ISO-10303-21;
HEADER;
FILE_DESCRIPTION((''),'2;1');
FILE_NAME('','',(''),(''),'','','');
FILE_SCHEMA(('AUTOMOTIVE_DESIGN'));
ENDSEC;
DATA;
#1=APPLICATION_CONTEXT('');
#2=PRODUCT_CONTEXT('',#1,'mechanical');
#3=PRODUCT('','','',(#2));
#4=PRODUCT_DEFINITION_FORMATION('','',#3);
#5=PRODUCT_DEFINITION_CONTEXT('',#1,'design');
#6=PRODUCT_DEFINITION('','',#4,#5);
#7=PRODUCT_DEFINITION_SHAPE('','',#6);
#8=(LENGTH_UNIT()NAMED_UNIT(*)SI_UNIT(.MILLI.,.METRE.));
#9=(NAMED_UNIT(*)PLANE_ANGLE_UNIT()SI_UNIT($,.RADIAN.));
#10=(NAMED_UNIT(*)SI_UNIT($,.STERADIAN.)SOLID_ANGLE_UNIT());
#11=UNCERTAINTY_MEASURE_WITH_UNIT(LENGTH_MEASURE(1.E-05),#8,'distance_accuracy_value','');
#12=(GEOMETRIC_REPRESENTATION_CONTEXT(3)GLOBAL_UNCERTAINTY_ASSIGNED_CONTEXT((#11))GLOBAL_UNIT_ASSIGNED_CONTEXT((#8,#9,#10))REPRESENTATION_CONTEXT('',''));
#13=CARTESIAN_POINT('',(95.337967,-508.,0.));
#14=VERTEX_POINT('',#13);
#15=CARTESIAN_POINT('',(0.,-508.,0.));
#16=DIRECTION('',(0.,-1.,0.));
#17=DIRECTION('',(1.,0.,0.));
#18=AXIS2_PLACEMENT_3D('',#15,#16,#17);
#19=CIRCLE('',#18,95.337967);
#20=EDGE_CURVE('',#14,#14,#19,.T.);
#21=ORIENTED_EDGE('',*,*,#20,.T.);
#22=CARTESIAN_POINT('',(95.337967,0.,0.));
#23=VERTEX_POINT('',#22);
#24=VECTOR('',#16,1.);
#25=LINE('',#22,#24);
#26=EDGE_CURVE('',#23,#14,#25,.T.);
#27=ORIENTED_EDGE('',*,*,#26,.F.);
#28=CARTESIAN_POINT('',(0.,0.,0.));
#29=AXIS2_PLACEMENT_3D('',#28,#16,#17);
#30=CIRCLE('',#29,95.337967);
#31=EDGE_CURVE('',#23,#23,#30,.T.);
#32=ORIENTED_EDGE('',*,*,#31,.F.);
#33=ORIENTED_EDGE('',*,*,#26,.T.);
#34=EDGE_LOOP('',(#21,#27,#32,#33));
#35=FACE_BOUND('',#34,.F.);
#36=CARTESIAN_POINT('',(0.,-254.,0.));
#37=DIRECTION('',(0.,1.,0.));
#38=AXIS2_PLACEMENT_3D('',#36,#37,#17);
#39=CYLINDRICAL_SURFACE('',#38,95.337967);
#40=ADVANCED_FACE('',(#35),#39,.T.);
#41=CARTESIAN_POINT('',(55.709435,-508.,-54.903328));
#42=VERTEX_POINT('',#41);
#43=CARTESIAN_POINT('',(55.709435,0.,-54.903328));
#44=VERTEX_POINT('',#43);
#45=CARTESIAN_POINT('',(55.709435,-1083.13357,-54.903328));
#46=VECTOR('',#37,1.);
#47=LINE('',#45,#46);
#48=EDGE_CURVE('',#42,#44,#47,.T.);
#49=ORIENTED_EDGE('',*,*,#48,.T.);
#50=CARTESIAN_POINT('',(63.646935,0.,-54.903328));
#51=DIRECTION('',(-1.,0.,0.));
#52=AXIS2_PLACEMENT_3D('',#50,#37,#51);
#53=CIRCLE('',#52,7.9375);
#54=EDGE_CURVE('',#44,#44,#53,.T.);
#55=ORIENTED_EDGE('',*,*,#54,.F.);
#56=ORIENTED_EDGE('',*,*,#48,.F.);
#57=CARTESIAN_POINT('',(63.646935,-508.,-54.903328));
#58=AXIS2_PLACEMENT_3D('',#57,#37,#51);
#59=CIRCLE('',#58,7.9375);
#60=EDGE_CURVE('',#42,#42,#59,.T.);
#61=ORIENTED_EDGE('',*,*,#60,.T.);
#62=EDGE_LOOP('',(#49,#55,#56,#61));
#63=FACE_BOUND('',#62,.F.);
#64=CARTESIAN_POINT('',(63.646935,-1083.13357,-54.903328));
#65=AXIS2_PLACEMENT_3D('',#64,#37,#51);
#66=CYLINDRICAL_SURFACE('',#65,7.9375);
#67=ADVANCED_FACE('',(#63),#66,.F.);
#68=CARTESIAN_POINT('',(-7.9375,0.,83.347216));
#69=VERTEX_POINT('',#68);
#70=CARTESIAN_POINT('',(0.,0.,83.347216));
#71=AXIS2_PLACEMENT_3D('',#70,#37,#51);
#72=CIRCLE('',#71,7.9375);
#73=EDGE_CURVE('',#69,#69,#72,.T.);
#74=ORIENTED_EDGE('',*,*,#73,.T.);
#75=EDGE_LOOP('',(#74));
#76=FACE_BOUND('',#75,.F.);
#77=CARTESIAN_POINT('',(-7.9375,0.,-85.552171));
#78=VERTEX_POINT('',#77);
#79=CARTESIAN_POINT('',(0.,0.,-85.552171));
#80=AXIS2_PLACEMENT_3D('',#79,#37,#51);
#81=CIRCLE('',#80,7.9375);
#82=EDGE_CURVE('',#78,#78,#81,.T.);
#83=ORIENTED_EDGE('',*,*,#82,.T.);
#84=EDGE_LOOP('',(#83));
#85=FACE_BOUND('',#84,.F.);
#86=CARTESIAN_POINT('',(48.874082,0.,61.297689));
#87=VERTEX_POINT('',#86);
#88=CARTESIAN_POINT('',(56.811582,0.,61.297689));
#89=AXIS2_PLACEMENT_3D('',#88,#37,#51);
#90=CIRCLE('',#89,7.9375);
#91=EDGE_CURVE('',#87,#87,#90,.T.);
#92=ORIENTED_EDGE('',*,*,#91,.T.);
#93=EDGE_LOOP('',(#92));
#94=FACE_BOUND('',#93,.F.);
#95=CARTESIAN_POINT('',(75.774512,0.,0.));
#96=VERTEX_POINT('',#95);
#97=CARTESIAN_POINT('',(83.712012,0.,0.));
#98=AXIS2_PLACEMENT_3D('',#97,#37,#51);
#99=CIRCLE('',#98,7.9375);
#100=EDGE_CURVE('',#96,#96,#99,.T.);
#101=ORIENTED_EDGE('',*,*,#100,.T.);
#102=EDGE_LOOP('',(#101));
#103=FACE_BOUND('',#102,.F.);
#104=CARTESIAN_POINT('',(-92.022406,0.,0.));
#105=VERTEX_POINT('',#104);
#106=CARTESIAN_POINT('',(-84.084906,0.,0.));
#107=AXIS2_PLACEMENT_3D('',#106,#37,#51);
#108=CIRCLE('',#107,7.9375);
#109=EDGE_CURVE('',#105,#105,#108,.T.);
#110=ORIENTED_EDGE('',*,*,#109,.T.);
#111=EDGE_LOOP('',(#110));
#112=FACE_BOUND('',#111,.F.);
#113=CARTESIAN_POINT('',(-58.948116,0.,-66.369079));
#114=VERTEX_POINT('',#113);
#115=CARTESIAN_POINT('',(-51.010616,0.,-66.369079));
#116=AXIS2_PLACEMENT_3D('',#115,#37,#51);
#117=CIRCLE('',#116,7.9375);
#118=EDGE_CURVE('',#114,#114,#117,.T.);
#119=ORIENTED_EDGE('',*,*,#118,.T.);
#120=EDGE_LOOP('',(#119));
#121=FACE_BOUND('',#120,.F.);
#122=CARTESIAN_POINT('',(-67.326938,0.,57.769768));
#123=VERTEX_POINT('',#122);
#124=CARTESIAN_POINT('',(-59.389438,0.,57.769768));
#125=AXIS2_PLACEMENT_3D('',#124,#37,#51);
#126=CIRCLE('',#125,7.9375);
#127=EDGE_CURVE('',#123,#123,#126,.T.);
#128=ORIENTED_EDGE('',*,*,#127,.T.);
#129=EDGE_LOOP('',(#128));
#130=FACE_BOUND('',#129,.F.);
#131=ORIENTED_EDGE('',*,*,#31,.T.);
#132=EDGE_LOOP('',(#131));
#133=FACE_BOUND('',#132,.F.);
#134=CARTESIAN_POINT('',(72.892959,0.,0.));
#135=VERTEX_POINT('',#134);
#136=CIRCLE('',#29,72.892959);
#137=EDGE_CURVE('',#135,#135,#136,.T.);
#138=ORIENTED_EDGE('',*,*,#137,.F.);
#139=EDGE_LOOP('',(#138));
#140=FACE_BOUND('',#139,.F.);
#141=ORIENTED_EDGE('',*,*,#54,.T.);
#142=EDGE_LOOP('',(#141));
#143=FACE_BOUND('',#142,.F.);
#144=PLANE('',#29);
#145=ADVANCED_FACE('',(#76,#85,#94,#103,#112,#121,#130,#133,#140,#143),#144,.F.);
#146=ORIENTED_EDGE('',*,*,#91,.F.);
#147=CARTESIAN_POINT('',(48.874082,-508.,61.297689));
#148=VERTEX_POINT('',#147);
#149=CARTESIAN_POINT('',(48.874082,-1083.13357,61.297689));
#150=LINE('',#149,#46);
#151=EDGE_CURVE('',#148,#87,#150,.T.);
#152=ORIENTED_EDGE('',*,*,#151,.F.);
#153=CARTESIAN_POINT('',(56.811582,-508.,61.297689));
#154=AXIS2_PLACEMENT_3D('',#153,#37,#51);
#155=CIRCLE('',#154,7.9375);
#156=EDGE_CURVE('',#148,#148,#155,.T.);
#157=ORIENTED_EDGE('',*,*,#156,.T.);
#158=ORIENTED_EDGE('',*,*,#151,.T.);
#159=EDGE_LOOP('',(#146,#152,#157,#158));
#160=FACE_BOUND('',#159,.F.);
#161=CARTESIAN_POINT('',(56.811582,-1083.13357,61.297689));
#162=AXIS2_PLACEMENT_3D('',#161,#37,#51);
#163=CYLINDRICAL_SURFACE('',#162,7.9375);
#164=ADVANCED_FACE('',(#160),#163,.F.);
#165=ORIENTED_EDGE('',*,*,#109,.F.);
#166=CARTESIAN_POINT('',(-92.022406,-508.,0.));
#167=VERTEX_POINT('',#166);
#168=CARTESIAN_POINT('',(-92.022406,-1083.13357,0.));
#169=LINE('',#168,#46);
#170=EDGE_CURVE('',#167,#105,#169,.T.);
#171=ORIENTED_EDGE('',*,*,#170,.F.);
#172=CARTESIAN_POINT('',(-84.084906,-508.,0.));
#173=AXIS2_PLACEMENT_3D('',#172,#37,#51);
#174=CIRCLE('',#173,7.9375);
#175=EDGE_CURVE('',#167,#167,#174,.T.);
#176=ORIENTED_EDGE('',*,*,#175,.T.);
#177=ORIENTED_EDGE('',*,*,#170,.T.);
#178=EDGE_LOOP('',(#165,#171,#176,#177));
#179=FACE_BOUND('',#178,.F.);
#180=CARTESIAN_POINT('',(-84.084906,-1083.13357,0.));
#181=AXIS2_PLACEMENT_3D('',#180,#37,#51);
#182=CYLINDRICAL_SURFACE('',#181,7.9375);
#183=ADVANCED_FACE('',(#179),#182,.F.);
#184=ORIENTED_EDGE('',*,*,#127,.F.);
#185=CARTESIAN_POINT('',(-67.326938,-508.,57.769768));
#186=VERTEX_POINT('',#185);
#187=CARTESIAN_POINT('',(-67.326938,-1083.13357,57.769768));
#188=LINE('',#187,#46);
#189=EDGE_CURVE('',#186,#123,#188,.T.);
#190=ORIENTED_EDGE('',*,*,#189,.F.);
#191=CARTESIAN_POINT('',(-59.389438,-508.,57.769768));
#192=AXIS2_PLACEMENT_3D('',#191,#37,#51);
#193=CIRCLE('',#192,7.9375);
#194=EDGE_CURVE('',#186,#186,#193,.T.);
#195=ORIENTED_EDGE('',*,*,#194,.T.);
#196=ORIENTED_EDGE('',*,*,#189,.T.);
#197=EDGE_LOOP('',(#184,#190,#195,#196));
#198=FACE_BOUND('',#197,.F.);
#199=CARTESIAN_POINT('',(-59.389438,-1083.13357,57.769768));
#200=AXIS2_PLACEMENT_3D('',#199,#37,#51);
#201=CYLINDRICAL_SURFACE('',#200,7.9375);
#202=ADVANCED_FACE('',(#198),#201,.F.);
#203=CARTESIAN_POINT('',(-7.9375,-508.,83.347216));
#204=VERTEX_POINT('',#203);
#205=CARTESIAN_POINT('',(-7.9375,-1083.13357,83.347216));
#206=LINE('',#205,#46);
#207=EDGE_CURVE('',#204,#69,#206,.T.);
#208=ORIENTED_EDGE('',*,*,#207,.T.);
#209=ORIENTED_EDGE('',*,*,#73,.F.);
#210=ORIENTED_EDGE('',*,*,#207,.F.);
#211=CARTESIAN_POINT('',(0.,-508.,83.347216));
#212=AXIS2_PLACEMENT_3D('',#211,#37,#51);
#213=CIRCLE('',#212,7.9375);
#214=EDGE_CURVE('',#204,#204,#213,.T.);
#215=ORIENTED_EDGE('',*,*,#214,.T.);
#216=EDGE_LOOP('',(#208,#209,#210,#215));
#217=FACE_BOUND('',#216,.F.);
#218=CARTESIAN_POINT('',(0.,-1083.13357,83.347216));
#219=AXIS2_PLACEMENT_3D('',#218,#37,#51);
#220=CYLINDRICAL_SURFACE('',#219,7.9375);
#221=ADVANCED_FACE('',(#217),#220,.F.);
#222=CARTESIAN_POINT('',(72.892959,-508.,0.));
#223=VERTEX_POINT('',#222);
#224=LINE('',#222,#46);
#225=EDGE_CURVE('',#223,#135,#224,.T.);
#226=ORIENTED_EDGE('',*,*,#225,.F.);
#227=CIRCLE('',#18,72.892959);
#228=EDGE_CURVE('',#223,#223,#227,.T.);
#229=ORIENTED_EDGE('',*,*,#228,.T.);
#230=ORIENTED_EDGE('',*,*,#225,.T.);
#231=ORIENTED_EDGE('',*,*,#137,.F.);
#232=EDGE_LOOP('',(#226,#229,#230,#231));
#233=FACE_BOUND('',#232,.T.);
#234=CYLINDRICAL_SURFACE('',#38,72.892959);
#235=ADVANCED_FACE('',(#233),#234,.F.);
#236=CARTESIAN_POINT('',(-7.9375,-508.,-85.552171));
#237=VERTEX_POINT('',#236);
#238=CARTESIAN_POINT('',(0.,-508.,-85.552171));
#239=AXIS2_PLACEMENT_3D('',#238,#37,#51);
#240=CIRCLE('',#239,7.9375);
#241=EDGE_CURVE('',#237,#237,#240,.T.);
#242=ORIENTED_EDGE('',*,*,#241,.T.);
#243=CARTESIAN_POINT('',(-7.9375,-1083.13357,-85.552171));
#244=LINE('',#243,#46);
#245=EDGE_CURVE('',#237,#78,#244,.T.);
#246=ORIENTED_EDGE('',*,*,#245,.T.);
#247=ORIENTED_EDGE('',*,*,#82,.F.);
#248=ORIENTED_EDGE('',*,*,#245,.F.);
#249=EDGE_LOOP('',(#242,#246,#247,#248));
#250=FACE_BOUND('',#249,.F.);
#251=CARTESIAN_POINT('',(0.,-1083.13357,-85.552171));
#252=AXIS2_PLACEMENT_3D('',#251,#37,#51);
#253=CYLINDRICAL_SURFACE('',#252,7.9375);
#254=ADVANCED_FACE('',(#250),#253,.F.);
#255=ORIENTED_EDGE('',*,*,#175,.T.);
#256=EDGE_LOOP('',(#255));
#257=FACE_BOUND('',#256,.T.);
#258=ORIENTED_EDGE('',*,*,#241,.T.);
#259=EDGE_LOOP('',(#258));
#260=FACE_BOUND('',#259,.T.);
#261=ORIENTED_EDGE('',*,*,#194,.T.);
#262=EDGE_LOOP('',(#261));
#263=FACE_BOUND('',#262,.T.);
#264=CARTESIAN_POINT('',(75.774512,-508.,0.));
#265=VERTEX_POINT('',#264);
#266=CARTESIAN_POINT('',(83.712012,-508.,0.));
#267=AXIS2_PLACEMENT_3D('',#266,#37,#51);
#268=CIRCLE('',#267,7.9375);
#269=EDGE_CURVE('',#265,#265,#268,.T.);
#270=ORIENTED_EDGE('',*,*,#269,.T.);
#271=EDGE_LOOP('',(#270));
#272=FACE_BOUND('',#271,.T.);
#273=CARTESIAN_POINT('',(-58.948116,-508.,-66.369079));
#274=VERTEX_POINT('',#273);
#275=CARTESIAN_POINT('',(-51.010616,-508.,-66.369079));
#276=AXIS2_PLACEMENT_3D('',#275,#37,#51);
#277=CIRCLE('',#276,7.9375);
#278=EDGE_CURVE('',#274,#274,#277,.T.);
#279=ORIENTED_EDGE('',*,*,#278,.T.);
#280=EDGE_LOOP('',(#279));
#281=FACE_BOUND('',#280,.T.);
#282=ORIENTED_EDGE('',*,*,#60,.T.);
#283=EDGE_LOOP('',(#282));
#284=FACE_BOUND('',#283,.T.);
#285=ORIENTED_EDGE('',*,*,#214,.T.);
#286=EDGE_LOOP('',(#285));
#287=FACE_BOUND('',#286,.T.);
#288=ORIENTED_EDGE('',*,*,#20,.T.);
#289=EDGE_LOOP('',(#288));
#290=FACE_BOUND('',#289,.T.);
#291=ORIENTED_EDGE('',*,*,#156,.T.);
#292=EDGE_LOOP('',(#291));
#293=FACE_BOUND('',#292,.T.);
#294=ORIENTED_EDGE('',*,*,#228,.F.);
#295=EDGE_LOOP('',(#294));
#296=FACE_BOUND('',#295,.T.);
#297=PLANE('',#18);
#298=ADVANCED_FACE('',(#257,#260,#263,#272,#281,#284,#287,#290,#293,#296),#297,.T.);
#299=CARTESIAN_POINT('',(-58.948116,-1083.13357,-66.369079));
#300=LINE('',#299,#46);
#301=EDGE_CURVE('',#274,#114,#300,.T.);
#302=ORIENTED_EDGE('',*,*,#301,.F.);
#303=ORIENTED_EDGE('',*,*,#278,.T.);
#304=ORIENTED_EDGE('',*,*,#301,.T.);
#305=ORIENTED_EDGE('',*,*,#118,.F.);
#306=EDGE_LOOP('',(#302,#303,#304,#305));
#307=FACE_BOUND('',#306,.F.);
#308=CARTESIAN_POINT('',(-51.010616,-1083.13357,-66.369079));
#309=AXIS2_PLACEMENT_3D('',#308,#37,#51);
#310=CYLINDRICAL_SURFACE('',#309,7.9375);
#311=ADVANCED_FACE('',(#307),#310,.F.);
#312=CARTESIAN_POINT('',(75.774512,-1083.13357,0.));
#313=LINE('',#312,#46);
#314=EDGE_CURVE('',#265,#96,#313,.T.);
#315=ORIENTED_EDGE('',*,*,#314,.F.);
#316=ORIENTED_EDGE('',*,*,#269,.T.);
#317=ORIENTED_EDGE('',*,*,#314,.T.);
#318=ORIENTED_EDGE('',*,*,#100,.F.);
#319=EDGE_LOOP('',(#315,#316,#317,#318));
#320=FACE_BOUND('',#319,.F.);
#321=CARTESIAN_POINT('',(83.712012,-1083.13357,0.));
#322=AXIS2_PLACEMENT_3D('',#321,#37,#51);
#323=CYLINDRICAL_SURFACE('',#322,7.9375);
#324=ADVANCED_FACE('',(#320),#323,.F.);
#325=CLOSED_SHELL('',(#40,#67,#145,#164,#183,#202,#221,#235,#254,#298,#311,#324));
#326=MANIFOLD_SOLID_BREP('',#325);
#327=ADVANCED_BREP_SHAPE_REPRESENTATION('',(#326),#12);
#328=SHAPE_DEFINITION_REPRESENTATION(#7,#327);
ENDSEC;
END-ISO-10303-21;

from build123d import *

# Parameters (mm, degrees)
F0_R        = 95.337967
F0_R_2      = 72.892959
F1_DEPTH    = 254
F1_FACE_R   = 95.337967
F1_FACE_R_2 = 72.892959
F2_DEPTH    = 254
F4_D        = 15.875


with BuildPart() as f1:
    # F0 (on Front) → F1 (new body)
    with BuildSketch(Plane.XZ):
        Circle(F0_R)
        Circle(F0_R_2, mode=Mode.SUBTRACT)
    extrude(amount=F1_DEPTH)

    # F1_face (on face) → F2 (join)
    with BuildSketch(Plane.XZ.offset(254)):
        Circle(F1_FACE_R)
        Circle(F1_FACE_R_2, mode=Mode.SUBTRACT)
    extrude(amount=F2_DEPTH)

    # F4 (through all)
    with Locations(Plane.XZ.offset(508)):
        with Locations((-59.389438, 57.769768), (-84.084906, 0), (0, 83.347216), (56.811582, 61.297689), (83.712012, 0), (63.646935, -54.903328), (0, -85.552171), (-51.010616, -66.369079)):
            Hole(F4_D / 2)


solid = f1.part
